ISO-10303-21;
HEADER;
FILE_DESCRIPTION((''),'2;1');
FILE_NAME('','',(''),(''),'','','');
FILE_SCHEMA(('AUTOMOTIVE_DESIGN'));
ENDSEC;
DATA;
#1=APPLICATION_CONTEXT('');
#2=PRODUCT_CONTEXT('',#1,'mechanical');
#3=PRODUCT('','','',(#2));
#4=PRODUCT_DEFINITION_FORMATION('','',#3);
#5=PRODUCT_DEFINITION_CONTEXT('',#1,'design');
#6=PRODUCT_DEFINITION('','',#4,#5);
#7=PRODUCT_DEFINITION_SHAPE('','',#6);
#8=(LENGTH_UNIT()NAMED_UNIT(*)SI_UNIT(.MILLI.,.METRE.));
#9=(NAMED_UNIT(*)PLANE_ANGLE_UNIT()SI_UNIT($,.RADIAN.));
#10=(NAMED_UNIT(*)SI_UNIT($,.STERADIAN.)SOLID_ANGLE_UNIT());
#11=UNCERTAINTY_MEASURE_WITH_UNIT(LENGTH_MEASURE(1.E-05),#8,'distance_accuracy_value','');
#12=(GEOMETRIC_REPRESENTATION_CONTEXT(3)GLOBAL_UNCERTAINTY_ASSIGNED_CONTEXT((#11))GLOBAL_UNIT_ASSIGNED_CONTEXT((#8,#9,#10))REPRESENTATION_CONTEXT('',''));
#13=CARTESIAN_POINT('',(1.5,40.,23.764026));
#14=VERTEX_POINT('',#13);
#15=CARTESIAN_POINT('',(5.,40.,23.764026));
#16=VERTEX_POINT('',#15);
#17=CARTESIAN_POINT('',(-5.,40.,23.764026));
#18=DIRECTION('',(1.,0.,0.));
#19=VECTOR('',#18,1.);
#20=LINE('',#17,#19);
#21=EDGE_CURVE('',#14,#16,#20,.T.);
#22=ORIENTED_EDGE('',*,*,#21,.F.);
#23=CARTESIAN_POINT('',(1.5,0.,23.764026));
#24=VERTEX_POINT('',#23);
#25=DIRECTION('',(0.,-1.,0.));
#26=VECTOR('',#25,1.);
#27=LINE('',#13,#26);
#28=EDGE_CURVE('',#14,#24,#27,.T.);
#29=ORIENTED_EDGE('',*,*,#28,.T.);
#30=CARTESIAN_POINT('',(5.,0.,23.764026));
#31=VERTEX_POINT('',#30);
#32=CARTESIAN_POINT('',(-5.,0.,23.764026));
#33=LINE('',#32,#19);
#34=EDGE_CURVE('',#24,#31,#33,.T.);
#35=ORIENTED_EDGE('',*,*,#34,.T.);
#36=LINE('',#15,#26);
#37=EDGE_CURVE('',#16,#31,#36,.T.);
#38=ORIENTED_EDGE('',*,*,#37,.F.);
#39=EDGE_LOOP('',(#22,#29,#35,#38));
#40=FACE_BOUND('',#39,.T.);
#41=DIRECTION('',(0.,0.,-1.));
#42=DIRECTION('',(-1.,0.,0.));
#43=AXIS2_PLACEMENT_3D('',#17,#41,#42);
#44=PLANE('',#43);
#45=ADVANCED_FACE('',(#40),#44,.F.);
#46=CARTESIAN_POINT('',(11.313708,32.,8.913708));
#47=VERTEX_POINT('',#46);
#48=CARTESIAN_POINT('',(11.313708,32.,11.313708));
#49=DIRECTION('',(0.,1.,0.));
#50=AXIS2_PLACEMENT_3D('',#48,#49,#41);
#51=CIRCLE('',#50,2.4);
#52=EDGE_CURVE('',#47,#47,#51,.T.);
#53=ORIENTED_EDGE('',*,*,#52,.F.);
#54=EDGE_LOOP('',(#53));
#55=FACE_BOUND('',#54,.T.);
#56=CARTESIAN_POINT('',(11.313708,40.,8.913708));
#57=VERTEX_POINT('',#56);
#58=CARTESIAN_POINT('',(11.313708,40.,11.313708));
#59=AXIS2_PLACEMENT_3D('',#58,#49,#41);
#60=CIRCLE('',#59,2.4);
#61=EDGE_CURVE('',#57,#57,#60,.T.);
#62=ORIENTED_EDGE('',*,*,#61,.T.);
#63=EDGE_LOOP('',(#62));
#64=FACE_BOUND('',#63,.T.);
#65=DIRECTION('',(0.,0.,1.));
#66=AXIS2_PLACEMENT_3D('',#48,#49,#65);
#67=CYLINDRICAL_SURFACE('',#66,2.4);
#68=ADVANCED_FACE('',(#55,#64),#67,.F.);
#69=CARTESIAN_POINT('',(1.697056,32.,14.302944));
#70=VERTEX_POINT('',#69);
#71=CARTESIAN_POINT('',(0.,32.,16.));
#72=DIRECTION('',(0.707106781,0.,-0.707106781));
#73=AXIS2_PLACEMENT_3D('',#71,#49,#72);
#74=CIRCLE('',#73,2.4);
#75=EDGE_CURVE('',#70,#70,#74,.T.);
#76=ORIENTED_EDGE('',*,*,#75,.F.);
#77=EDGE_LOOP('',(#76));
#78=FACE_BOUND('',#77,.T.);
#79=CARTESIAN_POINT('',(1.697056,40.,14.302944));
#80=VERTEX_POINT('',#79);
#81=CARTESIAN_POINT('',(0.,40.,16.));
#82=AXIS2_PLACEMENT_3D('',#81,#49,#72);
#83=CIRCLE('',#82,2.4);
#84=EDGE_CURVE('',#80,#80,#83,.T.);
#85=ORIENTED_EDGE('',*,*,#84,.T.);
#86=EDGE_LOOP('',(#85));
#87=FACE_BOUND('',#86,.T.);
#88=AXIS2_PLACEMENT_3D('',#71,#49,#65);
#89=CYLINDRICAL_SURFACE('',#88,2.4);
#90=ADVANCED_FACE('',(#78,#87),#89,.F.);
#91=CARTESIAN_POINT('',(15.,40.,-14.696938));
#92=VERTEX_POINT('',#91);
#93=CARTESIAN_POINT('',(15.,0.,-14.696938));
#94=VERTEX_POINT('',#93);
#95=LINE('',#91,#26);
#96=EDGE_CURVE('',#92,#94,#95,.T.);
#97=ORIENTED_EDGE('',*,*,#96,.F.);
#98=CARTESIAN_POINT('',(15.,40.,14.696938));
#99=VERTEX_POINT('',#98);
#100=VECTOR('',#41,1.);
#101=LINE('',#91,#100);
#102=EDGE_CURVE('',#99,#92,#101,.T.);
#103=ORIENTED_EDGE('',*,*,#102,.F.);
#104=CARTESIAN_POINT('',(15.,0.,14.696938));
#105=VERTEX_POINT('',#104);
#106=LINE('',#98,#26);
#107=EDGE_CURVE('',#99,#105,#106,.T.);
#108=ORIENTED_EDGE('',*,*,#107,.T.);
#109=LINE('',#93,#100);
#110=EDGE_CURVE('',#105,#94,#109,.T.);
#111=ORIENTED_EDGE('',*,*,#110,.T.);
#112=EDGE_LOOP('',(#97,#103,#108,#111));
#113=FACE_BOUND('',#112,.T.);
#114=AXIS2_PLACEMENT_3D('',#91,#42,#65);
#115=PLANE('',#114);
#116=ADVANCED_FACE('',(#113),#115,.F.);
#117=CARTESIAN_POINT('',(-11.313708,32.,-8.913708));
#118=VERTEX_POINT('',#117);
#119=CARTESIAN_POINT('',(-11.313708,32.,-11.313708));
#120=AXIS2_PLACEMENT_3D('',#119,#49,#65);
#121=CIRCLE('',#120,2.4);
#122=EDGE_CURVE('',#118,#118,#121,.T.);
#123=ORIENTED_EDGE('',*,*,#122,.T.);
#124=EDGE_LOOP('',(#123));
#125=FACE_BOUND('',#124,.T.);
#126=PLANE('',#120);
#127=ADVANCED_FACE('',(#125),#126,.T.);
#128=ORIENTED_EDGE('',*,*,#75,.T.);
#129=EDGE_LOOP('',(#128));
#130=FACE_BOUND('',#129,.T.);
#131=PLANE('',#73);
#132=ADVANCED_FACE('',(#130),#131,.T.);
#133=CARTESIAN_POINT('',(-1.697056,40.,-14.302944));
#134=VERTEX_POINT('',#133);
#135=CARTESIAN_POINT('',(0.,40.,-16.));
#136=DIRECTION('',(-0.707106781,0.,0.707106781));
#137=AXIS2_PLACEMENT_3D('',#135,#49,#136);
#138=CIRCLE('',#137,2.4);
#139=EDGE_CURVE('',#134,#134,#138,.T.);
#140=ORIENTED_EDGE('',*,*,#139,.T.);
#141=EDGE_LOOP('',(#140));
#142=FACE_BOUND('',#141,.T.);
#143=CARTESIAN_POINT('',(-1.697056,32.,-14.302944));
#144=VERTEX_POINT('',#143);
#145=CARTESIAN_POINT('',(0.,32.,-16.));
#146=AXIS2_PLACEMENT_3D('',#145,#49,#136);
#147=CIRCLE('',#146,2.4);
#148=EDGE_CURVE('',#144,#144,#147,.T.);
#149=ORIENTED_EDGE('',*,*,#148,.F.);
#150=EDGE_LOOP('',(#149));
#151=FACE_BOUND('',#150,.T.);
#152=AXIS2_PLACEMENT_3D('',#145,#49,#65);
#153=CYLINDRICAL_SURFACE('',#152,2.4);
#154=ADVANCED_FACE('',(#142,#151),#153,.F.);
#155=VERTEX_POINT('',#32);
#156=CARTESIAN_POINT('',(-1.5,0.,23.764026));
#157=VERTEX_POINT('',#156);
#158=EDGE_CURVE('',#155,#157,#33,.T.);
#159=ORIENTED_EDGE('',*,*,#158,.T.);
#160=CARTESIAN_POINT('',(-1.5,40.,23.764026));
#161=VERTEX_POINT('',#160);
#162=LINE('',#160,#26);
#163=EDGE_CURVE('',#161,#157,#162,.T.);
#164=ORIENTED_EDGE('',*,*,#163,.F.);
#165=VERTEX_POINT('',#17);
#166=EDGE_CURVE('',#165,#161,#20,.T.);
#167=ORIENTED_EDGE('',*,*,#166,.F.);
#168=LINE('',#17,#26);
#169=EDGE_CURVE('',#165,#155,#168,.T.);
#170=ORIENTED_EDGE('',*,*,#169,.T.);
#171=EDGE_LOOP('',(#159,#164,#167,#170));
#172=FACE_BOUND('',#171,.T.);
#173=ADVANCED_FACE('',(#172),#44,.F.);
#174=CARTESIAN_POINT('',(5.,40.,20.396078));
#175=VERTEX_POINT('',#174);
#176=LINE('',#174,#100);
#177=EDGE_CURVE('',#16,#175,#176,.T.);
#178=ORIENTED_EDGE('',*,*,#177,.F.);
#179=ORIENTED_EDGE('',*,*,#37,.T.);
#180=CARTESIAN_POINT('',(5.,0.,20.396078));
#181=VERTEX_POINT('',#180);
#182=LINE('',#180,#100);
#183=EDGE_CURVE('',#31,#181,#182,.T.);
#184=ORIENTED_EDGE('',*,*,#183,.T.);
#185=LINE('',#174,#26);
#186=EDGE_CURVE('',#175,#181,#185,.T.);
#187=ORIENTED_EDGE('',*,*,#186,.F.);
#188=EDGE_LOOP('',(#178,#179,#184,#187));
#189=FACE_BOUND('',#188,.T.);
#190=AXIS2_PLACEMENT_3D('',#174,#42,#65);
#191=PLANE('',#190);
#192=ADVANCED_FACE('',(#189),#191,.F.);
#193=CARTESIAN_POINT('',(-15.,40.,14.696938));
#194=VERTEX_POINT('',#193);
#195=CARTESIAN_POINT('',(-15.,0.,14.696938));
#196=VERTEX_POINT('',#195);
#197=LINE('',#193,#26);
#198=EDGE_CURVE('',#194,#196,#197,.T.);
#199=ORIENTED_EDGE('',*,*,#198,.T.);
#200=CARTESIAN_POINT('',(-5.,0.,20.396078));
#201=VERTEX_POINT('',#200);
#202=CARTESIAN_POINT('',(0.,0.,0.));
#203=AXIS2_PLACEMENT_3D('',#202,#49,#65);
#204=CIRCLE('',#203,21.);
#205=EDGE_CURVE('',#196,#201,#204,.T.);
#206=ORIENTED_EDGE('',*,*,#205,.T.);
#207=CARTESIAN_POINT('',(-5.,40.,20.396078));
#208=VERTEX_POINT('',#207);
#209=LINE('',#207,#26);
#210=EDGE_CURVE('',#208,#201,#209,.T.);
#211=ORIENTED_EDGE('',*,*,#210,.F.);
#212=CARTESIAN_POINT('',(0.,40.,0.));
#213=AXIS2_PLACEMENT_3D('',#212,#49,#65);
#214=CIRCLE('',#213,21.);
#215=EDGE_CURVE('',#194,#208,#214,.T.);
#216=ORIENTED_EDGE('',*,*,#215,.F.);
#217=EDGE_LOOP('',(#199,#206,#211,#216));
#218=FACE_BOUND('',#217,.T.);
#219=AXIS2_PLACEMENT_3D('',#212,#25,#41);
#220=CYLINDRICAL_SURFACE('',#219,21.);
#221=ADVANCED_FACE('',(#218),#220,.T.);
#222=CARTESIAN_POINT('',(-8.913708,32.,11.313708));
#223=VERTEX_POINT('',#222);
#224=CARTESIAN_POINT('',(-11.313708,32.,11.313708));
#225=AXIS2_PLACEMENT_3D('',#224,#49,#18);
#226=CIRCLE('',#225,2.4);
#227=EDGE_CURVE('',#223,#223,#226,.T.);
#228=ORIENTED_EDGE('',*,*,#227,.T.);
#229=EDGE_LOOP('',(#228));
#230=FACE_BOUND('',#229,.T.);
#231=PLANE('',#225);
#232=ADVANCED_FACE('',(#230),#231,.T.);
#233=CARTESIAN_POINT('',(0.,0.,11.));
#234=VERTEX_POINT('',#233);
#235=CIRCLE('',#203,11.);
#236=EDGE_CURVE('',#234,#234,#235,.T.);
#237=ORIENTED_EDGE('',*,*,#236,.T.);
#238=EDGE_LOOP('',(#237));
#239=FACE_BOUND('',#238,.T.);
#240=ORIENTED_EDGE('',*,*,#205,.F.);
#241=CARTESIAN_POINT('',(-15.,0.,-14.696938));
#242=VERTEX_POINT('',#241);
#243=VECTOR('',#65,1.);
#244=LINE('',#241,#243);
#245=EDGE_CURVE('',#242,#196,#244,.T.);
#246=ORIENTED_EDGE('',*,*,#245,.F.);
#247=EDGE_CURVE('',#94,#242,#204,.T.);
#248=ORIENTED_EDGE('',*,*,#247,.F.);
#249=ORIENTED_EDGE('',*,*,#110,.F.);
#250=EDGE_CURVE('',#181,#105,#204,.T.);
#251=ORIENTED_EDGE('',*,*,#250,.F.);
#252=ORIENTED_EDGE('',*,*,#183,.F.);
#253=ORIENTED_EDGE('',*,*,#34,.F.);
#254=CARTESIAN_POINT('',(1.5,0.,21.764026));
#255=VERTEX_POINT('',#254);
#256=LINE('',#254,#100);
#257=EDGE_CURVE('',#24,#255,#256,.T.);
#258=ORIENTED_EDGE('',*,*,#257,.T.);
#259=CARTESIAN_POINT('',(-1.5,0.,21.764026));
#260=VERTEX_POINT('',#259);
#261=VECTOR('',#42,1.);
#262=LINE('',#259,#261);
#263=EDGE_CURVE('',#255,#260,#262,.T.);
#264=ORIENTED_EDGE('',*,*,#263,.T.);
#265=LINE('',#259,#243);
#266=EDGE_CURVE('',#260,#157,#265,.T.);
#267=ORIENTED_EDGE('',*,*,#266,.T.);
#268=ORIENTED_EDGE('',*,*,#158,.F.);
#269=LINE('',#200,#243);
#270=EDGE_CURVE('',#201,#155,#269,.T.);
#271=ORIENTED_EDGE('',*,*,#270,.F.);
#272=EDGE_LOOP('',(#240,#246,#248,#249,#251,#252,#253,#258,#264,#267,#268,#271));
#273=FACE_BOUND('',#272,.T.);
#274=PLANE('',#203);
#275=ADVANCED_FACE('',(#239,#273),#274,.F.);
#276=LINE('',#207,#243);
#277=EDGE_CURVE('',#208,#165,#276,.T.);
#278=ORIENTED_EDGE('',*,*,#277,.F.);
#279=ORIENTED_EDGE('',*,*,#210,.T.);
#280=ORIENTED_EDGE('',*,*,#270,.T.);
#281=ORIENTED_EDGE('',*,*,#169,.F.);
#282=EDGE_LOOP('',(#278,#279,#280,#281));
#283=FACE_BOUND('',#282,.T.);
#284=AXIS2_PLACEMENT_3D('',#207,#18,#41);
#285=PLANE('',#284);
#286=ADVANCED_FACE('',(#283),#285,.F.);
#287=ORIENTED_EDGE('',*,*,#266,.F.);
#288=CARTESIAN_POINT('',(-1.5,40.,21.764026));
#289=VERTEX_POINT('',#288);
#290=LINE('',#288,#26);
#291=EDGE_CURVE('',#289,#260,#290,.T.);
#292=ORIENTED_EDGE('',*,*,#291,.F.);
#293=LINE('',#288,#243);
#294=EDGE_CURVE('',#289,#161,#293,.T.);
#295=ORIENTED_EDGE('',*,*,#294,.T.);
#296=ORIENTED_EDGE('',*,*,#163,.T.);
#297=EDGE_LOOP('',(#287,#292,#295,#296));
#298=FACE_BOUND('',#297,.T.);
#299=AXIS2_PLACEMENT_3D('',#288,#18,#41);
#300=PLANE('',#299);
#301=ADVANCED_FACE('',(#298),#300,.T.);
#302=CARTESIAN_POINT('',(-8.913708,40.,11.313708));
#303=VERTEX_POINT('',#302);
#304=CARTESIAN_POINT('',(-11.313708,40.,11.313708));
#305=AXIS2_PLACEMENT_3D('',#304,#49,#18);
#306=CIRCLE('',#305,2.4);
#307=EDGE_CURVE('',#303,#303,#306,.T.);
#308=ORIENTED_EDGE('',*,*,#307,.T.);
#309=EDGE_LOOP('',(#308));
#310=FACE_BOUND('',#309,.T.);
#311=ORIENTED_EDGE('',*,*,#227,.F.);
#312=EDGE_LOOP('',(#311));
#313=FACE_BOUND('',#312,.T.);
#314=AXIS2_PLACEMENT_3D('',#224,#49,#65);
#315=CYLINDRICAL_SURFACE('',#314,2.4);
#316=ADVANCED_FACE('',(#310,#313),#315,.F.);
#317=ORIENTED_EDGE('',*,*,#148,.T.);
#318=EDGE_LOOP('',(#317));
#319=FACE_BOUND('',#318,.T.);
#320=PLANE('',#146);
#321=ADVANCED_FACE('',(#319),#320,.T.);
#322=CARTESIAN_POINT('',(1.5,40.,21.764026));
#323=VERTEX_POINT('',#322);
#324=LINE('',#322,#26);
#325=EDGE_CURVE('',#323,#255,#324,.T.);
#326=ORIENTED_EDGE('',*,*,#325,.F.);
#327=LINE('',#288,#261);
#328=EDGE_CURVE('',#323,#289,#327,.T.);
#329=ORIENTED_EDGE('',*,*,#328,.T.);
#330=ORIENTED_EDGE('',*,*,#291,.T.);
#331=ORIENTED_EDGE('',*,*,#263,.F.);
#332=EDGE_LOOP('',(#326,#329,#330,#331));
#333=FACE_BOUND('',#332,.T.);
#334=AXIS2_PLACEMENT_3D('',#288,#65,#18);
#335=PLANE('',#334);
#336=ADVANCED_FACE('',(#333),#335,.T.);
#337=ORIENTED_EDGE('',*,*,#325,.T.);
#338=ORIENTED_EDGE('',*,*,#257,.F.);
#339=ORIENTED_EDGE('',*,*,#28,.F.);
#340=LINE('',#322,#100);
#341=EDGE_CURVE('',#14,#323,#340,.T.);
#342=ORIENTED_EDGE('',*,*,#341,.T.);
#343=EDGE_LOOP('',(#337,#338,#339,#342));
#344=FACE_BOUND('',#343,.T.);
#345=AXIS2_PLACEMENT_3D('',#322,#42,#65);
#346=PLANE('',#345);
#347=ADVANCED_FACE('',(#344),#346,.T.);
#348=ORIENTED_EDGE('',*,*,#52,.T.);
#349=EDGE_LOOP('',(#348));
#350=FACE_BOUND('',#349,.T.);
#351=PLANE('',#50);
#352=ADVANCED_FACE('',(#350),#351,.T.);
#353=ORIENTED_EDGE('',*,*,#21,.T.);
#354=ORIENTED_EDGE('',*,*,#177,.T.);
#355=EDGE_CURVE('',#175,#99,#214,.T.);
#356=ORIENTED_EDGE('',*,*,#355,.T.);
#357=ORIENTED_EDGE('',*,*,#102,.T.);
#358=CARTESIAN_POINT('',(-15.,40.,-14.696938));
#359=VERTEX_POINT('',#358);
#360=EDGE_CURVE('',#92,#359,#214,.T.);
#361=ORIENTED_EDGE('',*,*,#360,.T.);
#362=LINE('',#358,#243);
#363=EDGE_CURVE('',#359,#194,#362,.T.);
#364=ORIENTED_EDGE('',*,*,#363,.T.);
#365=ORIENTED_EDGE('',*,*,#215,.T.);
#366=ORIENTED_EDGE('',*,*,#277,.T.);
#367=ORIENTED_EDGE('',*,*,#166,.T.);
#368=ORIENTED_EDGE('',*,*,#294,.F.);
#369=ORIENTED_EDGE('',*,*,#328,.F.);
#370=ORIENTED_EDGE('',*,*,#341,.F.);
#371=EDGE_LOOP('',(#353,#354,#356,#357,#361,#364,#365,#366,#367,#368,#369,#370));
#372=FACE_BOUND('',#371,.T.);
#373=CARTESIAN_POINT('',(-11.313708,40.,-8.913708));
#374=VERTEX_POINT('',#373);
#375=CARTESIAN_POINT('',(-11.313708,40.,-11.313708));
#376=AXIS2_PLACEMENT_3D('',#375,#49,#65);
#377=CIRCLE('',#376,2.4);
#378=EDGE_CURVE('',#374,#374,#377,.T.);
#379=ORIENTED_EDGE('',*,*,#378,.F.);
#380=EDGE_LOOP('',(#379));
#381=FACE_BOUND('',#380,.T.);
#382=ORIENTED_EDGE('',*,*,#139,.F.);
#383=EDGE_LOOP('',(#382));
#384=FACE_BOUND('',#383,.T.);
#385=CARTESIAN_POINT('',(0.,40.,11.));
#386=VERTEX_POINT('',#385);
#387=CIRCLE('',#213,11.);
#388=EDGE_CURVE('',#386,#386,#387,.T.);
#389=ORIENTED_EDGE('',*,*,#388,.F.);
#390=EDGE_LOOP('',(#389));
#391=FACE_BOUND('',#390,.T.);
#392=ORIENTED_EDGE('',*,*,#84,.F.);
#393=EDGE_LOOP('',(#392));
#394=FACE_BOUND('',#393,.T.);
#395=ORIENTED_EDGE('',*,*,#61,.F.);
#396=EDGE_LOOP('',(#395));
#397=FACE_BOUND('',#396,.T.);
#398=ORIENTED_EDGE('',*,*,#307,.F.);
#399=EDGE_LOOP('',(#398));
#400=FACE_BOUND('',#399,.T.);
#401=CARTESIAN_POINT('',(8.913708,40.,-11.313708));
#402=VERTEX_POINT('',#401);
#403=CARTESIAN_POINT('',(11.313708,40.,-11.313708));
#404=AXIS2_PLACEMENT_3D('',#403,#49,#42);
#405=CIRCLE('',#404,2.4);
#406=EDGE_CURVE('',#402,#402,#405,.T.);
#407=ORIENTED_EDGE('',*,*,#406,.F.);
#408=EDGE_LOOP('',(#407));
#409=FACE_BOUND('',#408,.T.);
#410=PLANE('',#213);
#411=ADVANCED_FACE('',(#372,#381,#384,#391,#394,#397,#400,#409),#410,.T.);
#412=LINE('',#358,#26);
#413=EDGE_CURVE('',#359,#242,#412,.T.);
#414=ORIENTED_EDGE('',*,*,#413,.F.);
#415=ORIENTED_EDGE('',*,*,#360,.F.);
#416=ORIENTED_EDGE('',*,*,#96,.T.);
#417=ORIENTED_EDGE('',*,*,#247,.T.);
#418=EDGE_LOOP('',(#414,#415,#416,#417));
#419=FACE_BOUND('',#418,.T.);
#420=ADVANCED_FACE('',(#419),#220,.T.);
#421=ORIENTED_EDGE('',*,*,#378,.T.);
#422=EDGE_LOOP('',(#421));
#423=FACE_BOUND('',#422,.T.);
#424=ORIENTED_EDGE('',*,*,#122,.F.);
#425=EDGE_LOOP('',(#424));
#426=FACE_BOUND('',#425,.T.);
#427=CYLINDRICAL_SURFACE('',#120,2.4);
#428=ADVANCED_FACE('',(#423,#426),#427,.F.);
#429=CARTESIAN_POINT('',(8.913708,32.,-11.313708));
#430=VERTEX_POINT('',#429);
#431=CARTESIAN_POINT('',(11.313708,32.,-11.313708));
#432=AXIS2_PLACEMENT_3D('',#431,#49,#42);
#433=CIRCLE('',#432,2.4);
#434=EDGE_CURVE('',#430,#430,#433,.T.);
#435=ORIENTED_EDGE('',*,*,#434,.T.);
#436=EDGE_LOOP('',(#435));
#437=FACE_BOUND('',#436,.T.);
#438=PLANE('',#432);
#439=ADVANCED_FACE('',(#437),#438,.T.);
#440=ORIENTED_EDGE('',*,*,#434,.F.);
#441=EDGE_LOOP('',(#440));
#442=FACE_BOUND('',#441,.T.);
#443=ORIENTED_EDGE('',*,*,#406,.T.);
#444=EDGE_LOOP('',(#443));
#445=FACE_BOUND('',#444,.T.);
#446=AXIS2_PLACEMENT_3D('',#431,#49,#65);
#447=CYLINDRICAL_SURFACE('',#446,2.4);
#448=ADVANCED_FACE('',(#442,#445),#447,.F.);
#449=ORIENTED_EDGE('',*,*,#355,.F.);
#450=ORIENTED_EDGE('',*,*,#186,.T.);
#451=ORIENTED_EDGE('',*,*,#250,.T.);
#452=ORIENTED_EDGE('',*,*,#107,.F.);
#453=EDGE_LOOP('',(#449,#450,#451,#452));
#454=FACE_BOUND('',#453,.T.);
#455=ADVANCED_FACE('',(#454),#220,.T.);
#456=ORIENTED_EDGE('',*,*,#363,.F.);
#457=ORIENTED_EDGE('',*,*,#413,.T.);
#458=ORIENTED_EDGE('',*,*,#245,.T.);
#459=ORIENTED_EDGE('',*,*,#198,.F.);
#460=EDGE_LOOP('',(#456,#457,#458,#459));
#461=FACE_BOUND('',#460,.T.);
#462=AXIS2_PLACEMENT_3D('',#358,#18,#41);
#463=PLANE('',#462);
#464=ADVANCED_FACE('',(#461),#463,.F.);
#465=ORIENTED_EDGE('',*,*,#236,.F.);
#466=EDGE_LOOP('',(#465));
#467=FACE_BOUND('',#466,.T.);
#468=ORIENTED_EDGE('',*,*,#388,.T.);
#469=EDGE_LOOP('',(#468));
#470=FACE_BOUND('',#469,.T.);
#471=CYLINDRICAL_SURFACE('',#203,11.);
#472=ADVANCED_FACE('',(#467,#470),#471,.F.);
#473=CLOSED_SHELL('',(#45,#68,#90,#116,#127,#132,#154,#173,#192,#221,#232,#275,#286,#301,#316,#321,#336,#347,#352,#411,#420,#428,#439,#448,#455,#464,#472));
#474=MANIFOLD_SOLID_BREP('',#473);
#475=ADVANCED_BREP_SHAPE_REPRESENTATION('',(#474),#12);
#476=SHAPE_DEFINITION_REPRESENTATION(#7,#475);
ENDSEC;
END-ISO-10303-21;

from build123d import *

# Parameters (mm, degrees)
EXTRUDE_1_DEPTH          = 40
SKETCH_2_R               = 11
CUT_EXTRUDE_1_DEPTH      = 48.602520942
SKETCH_3_R               = 2.4
CUT_EXTRUDE_2_DEPTH      = 8
PATTERN_CIRCULAR_2_COUNT = 8
SKETCH_4_W               = 10
SKETCH_4_H               = 3.367948213
EXTRUDE_2_DEPTH          = 40
SKETCH_5_W               = 3
SKETCH_5_H               = 2
CUT_EXTRUDE_3_DEPTH      = 49.884853937


with BuildPart() as part:
    # 草图1 → 凸台-拉伸1 (new body)
    with BuildSketch(Plane(origin=(0, 0, 0), x_dir=(1, 0, 0), z_dir=(0, 1, 0))):
        with BuildLine():
            Line((-15, 14.696938457), (-15, -14.696938457))
            ThreePointArc((-15, -14.696938457), (0, -21), (15, -14.696938457))
            Line((15, -14.696938457), (15, 14.696938457))
            ThreePointArc((15, 14.696938457), (0, 21), (-15, 14.696938457))
        make_face()
    extrude(amount=EXTRUDE_1_DEPTH)

    # 草图2 → 切除-拉伸1 (cut, through all)
    with BuildSketch(Plane(origin=(0, 40, 0), x_dir=(1, 0, 0), z_dir=(0, 1, 0))):
        with Locations(Location((0, 0, 0), (0, 0, 270))):
            Circle(SKETCH_2_R)
    extrude(amount=-CUT_EXTRUDE_1_DEPTH, mode=Mode.SUBTRACT)

    # 草图3 → 切除-拉伸2 (cut)
    with BuildSketch(Plane(origin=(0, 40, 0), x_dir=(1, 0, 0), z_dir=(0, 1, 0))):
        with Locations(Location((-11.313708499, 11.313708499, 0), (0, 0, 270))):
            Circle(SKETCH_3_R)
    cut_extrude_2 = extrude(amount=-CUT_EXTRUDE_2_DEPTH, mode=Mode.SUBTRACT)

    # 阵列(圆周)2: 切除-拉伸2 ×8 about axis, 2 skipped
    pattern_circular_2_axis = Axis((0, 40, 0), (0, 1, 0))
    add([cut_extrude_2.rotate(pattern_circular_2_axis, i * 360 / PATTERN_CIRCULAR_2_COUNT) for i in range(1, PATTERN_CIRCULAR_2_COUNT) if i not in (1, 5)], mode=Mode.SUBTRACT)

    # 草图4 → 凸台-拉伸2 (add)
    with BuildSketch(Plane(origin=(0, 0, 0), x_dir=(1, 0, 0), z_dir=(0, 1, 0))):
        with Locations((0, -22.080052161)):
            Rectangle(SKETCH_4_W, SKETCH_4_H)
    extrude(amount=EXTRUDE_2_DEPTH)

    # 草图5 → 切除-拉伸3 (cut, through all)
    with BuildSketch(Plane(origin=(0, 0, 0), x_dir=(1, 0, 0), z_dir=(0, 1, 0))):
        with Locations((0, -22.764026267)):
            Rectangle(SKETCH_5_W, SKETCH_5_H)
    extrude(amount=CUT_EXTRUDE_3_DEPTH, mode=Mode.SUBTRACT)


solid = part.part
